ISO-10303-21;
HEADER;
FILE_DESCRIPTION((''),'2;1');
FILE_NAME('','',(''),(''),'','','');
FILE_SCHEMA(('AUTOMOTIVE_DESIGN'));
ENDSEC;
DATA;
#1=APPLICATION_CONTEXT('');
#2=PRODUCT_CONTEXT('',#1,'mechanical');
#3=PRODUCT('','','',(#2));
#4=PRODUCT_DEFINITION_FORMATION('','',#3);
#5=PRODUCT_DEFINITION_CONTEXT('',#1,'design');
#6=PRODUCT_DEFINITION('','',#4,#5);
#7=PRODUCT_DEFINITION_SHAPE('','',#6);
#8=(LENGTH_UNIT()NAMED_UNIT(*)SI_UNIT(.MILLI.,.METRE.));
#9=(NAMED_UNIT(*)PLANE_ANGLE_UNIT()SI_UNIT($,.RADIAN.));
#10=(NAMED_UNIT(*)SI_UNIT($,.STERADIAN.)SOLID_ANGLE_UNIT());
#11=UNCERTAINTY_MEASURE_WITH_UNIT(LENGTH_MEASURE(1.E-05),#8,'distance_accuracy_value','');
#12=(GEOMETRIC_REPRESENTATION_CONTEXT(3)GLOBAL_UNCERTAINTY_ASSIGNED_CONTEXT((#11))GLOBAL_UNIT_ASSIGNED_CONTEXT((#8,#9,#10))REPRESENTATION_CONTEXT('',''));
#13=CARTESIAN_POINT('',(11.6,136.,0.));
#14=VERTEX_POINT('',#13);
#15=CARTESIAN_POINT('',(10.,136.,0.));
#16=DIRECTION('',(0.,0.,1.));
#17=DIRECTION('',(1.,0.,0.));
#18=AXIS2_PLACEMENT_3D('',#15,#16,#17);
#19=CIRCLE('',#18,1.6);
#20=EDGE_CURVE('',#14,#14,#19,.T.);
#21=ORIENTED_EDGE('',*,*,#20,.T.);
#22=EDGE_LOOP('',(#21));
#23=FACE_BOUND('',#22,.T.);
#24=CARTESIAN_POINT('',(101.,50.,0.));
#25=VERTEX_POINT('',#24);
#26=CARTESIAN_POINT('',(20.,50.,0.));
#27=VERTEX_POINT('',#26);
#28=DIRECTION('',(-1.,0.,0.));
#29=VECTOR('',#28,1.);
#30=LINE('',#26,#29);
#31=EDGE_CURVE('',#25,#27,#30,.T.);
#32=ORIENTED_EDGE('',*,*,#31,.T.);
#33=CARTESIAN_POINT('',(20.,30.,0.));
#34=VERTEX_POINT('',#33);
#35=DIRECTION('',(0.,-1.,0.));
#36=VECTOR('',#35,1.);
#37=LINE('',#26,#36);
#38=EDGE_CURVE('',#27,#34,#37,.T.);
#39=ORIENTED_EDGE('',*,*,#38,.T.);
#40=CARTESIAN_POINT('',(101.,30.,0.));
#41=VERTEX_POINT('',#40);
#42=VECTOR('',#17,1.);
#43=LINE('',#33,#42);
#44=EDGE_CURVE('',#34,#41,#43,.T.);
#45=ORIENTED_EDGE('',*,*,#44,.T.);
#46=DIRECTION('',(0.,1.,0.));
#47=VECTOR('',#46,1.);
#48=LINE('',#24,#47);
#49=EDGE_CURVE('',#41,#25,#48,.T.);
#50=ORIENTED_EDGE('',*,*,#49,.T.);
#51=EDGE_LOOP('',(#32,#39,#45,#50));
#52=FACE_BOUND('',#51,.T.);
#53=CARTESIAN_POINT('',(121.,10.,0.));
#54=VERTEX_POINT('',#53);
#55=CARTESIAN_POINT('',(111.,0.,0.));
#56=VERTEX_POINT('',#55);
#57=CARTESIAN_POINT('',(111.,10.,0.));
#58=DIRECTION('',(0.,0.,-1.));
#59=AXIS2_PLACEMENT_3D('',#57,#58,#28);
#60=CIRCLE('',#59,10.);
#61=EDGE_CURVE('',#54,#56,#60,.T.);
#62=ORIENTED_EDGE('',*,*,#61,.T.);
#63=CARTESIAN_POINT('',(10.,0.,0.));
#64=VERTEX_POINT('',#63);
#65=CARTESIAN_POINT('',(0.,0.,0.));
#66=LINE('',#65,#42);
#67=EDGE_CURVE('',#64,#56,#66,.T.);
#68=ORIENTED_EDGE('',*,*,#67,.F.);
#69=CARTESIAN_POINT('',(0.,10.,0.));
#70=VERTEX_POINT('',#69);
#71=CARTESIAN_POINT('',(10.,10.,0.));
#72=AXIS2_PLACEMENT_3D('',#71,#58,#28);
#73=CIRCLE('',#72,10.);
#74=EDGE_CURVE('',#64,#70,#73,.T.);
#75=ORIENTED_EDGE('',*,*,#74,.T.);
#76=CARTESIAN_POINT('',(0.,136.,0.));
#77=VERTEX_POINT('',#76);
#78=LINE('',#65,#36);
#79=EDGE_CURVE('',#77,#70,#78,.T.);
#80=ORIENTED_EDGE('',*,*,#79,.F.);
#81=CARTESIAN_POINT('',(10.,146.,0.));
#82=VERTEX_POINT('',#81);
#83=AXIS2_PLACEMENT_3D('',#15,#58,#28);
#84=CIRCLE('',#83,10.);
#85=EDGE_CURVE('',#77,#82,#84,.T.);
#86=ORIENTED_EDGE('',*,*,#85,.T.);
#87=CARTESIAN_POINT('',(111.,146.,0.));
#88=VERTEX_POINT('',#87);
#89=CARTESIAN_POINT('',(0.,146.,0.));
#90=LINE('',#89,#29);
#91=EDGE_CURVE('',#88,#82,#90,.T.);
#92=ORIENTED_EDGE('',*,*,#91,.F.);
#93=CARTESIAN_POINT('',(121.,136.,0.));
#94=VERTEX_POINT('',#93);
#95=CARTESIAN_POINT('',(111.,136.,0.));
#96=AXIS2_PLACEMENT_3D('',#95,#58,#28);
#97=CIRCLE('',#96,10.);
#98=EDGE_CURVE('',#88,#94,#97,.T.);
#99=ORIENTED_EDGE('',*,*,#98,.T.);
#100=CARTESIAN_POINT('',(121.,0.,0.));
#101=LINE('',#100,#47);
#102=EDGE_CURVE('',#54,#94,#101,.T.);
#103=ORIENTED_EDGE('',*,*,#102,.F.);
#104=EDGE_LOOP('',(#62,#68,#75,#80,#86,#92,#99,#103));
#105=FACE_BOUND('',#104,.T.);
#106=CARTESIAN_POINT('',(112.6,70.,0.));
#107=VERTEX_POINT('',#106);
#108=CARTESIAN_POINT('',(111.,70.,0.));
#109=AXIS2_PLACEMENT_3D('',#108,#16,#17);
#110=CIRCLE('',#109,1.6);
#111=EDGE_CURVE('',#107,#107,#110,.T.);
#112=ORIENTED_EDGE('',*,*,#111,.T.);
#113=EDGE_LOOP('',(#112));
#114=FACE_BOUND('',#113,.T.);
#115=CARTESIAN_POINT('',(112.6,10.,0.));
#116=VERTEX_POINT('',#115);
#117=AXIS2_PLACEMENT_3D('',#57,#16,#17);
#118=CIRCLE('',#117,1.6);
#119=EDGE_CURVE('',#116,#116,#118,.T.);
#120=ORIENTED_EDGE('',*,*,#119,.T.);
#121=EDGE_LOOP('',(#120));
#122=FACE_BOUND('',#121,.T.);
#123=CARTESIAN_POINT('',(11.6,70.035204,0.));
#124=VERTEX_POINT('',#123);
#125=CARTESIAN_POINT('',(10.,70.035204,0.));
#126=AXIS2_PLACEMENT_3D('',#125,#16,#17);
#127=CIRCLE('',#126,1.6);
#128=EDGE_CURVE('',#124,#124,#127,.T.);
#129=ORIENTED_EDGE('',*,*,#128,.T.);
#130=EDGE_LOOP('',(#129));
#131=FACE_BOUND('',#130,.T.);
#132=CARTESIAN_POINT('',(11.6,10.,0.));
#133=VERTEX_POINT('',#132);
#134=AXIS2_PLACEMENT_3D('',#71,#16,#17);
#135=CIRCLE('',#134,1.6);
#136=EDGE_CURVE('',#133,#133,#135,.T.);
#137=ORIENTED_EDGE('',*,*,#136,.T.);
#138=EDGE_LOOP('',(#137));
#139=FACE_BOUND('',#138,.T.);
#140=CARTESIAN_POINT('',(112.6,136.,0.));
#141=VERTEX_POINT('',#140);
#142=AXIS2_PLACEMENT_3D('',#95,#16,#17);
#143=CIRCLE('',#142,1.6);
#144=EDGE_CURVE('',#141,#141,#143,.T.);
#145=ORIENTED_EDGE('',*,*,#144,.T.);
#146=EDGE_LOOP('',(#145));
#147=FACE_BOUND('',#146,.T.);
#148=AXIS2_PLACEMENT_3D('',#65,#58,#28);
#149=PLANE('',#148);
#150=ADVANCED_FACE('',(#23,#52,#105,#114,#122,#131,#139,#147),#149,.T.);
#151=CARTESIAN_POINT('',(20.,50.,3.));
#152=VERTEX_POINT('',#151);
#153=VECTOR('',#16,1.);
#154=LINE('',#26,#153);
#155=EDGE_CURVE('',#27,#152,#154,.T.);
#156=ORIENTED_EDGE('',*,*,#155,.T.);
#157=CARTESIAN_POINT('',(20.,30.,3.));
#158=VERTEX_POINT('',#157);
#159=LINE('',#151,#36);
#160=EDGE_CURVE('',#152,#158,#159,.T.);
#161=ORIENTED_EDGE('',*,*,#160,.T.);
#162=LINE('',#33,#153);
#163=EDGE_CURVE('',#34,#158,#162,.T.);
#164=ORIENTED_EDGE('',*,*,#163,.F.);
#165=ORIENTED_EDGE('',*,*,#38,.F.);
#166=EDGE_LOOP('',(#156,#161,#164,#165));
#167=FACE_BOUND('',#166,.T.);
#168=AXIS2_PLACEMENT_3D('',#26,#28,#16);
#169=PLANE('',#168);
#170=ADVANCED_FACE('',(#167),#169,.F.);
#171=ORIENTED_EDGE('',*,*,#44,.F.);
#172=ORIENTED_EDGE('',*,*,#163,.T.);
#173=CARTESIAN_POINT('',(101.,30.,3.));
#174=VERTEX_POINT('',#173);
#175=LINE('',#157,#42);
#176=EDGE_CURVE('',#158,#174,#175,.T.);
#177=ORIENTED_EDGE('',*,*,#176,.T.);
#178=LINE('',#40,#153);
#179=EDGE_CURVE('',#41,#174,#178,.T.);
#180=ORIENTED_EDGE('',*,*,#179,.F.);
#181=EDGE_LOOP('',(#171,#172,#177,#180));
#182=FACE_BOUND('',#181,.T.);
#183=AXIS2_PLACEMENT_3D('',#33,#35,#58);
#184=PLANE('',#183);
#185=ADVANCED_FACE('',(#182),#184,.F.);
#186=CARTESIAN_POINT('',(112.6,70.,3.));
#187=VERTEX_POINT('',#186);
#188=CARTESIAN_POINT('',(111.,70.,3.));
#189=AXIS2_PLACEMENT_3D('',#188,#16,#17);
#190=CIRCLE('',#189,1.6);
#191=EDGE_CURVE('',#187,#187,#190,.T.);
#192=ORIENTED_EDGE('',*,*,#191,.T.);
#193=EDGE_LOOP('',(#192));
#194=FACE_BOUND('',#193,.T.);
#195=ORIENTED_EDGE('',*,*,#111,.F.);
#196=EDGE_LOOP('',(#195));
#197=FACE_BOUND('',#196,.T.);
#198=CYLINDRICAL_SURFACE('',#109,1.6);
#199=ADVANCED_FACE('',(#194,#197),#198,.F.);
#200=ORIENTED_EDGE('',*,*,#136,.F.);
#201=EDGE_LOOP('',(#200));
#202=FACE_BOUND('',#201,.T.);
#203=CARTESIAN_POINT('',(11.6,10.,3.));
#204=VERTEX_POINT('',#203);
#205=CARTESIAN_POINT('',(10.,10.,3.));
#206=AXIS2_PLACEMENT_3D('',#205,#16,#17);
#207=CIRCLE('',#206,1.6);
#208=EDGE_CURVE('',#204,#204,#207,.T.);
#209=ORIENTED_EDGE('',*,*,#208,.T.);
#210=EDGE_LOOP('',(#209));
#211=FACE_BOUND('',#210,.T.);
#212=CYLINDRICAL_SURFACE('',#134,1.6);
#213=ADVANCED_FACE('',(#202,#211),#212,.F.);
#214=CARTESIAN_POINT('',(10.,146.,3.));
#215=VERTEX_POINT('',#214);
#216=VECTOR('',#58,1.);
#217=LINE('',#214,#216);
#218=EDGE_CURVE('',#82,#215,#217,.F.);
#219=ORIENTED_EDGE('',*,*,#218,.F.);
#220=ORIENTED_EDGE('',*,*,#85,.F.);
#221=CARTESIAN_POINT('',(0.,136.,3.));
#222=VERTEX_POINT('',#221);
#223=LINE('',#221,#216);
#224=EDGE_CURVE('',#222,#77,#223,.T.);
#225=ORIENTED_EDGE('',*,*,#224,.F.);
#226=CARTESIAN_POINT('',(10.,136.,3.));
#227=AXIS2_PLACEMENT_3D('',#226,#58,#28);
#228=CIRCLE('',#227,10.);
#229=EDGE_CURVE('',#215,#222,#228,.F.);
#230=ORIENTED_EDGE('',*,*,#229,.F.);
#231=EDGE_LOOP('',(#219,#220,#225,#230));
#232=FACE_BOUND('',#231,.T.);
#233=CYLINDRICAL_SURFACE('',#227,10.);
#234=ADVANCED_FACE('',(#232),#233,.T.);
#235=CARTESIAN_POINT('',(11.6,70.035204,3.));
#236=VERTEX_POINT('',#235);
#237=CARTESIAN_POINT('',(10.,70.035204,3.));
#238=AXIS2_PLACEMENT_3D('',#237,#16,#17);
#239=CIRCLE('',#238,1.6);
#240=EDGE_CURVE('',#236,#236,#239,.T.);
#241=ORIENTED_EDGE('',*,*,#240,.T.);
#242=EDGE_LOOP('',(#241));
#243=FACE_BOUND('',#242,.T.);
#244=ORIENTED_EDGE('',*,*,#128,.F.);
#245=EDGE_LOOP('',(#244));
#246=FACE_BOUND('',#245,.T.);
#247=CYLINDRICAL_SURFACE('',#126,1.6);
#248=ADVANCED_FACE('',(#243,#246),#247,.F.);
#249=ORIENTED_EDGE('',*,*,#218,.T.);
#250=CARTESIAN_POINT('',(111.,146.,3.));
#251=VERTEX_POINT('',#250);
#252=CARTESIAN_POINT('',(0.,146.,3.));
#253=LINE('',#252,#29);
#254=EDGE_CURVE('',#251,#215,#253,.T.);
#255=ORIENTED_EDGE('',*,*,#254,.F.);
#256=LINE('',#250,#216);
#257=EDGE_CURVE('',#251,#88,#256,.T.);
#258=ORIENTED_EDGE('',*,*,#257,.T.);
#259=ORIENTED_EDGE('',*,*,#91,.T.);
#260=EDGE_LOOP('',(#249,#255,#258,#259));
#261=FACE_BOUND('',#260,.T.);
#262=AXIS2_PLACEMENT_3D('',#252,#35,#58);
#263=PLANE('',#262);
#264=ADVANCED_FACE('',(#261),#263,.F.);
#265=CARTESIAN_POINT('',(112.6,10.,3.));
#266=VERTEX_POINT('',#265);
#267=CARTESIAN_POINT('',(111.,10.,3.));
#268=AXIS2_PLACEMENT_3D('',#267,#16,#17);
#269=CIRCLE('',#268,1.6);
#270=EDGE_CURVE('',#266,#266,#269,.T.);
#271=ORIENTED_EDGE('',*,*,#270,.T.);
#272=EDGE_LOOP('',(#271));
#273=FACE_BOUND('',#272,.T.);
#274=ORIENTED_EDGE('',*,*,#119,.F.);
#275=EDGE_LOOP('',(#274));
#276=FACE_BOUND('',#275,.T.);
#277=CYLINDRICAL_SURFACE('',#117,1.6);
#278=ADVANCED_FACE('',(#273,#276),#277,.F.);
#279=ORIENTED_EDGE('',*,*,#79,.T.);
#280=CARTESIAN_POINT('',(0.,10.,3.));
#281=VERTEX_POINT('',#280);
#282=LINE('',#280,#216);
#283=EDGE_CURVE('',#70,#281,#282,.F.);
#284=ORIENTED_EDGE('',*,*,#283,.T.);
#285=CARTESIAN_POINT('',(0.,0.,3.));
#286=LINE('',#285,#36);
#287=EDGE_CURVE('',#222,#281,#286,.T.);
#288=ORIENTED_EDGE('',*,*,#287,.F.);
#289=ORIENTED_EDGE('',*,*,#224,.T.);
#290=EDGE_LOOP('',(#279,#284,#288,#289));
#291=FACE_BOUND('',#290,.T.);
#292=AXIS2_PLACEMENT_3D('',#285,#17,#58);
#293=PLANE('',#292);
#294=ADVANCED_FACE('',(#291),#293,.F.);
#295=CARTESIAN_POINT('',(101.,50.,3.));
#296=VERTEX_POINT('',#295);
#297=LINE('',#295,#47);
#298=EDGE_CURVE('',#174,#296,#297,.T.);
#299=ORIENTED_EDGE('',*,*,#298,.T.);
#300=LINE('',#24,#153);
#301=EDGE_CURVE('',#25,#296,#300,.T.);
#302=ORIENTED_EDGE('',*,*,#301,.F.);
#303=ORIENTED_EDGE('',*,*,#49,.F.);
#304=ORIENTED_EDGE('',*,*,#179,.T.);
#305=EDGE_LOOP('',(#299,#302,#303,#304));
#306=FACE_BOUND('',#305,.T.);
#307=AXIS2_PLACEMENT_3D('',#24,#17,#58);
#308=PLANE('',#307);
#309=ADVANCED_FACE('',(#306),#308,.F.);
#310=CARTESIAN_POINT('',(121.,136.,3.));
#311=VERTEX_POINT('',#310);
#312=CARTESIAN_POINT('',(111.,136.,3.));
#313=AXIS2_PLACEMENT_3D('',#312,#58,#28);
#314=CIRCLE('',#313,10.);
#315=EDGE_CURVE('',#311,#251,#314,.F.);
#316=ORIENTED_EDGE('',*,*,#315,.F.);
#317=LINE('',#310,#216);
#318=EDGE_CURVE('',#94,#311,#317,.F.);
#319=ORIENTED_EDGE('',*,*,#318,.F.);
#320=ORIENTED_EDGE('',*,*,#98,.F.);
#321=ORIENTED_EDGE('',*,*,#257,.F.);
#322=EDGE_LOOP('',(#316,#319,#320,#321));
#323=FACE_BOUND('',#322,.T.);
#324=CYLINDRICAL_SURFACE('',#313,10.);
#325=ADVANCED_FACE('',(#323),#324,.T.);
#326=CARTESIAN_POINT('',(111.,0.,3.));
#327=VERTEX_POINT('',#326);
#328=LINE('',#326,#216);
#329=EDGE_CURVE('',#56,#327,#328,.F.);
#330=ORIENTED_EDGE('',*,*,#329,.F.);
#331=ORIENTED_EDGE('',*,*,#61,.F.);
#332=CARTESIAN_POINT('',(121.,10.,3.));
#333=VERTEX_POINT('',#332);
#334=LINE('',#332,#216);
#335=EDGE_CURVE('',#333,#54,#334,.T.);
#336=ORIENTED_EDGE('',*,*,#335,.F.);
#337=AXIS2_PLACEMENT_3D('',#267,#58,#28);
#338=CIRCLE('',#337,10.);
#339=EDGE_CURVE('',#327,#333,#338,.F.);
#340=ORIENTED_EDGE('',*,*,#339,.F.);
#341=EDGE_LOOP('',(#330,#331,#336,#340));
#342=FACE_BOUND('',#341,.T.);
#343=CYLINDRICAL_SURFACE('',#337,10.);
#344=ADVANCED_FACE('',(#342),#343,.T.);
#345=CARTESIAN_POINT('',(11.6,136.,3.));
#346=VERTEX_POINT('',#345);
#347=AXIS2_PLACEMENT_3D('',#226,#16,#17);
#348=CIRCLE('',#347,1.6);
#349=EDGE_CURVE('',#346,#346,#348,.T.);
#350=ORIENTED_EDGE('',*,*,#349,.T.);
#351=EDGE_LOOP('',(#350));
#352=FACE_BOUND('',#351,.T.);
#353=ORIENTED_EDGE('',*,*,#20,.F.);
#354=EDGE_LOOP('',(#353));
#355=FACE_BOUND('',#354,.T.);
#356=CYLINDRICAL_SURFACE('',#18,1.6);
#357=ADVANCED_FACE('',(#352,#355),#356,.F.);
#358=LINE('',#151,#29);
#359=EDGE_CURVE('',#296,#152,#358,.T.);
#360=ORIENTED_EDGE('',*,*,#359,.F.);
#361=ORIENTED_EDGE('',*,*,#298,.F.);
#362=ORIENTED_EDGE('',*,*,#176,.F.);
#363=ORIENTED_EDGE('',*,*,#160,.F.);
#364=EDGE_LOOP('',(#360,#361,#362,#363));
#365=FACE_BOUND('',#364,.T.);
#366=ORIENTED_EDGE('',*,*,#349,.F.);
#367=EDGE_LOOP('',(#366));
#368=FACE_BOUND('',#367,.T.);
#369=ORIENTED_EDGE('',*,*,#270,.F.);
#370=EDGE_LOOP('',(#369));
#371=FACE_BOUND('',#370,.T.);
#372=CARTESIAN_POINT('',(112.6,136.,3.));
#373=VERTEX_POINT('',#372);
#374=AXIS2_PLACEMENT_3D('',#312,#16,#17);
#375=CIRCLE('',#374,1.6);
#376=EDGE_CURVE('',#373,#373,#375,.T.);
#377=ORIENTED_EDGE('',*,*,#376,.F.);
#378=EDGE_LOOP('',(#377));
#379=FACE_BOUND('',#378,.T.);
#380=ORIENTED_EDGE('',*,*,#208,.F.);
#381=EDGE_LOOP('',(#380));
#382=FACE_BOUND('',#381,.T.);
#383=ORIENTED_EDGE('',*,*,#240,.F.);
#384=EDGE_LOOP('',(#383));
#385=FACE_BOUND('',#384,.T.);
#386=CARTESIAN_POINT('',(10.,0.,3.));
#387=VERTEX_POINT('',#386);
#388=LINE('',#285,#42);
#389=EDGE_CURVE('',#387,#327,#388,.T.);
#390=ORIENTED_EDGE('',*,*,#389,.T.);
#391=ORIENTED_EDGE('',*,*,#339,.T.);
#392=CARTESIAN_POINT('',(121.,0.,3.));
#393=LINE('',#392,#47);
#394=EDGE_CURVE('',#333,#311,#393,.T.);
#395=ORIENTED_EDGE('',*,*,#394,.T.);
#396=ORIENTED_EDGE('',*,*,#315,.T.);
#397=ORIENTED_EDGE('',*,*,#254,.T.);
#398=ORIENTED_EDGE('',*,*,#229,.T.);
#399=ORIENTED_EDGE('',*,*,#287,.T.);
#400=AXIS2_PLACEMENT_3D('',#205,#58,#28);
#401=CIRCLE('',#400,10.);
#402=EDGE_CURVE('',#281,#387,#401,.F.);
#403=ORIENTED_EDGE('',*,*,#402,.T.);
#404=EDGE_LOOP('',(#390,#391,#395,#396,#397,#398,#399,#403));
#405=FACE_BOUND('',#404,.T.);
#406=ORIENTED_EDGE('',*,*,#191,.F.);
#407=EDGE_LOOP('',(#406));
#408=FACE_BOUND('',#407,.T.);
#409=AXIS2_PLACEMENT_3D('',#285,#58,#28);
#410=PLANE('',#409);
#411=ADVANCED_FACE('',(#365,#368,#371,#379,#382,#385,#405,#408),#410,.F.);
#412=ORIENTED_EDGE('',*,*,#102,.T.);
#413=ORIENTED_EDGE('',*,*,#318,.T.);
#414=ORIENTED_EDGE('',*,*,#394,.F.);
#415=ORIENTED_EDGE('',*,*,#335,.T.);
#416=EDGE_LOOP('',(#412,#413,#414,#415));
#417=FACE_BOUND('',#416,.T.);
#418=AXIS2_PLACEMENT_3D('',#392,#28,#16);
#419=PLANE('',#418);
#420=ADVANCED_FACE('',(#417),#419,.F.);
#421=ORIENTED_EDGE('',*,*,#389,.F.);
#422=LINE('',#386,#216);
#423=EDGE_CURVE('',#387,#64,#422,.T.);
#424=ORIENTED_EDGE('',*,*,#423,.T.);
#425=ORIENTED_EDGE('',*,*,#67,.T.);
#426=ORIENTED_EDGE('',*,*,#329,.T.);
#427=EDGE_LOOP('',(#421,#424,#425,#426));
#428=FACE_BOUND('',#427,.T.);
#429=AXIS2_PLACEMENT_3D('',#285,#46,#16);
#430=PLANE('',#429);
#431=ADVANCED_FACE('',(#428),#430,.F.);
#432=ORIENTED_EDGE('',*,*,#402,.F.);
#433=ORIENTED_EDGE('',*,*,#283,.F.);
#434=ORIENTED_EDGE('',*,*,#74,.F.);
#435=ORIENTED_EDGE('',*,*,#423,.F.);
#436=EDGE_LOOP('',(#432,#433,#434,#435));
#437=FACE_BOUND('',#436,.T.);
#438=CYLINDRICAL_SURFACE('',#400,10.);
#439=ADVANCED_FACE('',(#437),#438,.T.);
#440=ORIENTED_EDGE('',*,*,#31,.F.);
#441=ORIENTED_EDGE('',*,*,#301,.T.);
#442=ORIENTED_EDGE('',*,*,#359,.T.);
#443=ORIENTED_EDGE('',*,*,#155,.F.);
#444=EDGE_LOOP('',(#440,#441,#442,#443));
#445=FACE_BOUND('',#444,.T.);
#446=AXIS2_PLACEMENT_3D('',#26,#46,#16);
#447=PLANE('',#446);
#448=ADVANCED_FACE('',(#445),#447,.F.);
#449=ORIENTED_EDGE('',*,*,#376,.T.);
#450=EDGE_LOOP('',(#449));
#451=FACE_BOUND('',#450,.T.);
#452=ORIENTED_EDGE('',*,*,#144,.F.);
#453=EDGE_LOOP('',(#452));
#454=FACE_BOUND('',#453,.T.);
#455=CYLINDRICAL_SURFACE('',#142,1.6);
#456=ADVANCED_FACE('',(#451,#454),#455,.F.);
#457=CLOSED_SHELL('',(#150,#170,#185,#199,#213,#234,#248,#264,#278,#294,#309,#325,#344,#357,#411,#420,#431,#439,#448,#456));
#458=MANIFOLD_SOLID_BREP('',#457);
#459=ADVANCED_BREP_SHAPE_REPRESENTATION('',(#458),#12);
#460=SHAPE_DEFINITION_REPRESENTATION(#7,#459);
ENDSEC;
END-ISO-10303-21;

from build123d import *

# Parameters (mm, degrees)
SKETCH_1_W          = 121
SKETCH_1_H          = 146
EXTRUDE_1_DEPTH     = 3
FILLET_1_R          = 10
SKETCH_2_R          = 1.6
CUT_EXTRUDE_1_DEPTH = 4
SKETCH_3_W          = 81
SKETCH_3_H          = 20
CUT_EXTRUDE_2_DEPTH = 4


with BuildPart() as part:
    # Sketch 1 → ﾎﾞｽ - 押し出し1 (new body)
    with BuildSketch(Plane.XY):
        with Locations((60.5, 73)):
            Rectangle(SKETCH_1_W, SKETCH_1_H)
    extrude(amount=EXTRUDE_1_DEPTH)

    # ﾌｨﾚｯﾄ1
    fillet_1_edges = [part.edges().sort_by_distance(p)[0] for p in [
        (0, 146, 1.5),
        (121, 146, 1.5),
        (121, 0, 1.5),
        (0, 0, 1.5),
    ]]
    fillet(fillet_1_edges, radius=FILLET_1_R)

    # ｽｹｯﾁ2 → ｶｯﾄ - 押し出し1 (cut, through all)
    with BuildSketch(Plane.XY.offset(3)):
        with Locations((10, 136)):
            Circle(SKETCH_2_R)
        with Locations((10, 70.035204196)):
            Circle(SKETCH_2_R)
        with Locations((111, 136)):
            Circle(SKETCH_2_R)
        with Locations((111, 70)):
            Circle(SKETCH_2_R)
        with Locations((111, 10)):
            Circle(SKETCH_2_R)
        with Locations((10, 10)):
            Circle(SKETCH_2_R)
    extrude(amount=-CUT_EXTRUDE_1_DEPTH, mode=Mode.SUBTRACT)

    # ｽｹｯﾁ3 → ｶｯﾄ - 押し出し2 (cut, through all)
    with BuildSketch(Plane.XY.offset(3)):
        with Locations((60.5, 40)):
            Rectangle(SKETCH_3_W, SKETCH_3_H)
    extrude(amount=-CUT_EXTRUDE_2_DEPTH, mode=Mode.SUBTRACT)


solid = part.part
